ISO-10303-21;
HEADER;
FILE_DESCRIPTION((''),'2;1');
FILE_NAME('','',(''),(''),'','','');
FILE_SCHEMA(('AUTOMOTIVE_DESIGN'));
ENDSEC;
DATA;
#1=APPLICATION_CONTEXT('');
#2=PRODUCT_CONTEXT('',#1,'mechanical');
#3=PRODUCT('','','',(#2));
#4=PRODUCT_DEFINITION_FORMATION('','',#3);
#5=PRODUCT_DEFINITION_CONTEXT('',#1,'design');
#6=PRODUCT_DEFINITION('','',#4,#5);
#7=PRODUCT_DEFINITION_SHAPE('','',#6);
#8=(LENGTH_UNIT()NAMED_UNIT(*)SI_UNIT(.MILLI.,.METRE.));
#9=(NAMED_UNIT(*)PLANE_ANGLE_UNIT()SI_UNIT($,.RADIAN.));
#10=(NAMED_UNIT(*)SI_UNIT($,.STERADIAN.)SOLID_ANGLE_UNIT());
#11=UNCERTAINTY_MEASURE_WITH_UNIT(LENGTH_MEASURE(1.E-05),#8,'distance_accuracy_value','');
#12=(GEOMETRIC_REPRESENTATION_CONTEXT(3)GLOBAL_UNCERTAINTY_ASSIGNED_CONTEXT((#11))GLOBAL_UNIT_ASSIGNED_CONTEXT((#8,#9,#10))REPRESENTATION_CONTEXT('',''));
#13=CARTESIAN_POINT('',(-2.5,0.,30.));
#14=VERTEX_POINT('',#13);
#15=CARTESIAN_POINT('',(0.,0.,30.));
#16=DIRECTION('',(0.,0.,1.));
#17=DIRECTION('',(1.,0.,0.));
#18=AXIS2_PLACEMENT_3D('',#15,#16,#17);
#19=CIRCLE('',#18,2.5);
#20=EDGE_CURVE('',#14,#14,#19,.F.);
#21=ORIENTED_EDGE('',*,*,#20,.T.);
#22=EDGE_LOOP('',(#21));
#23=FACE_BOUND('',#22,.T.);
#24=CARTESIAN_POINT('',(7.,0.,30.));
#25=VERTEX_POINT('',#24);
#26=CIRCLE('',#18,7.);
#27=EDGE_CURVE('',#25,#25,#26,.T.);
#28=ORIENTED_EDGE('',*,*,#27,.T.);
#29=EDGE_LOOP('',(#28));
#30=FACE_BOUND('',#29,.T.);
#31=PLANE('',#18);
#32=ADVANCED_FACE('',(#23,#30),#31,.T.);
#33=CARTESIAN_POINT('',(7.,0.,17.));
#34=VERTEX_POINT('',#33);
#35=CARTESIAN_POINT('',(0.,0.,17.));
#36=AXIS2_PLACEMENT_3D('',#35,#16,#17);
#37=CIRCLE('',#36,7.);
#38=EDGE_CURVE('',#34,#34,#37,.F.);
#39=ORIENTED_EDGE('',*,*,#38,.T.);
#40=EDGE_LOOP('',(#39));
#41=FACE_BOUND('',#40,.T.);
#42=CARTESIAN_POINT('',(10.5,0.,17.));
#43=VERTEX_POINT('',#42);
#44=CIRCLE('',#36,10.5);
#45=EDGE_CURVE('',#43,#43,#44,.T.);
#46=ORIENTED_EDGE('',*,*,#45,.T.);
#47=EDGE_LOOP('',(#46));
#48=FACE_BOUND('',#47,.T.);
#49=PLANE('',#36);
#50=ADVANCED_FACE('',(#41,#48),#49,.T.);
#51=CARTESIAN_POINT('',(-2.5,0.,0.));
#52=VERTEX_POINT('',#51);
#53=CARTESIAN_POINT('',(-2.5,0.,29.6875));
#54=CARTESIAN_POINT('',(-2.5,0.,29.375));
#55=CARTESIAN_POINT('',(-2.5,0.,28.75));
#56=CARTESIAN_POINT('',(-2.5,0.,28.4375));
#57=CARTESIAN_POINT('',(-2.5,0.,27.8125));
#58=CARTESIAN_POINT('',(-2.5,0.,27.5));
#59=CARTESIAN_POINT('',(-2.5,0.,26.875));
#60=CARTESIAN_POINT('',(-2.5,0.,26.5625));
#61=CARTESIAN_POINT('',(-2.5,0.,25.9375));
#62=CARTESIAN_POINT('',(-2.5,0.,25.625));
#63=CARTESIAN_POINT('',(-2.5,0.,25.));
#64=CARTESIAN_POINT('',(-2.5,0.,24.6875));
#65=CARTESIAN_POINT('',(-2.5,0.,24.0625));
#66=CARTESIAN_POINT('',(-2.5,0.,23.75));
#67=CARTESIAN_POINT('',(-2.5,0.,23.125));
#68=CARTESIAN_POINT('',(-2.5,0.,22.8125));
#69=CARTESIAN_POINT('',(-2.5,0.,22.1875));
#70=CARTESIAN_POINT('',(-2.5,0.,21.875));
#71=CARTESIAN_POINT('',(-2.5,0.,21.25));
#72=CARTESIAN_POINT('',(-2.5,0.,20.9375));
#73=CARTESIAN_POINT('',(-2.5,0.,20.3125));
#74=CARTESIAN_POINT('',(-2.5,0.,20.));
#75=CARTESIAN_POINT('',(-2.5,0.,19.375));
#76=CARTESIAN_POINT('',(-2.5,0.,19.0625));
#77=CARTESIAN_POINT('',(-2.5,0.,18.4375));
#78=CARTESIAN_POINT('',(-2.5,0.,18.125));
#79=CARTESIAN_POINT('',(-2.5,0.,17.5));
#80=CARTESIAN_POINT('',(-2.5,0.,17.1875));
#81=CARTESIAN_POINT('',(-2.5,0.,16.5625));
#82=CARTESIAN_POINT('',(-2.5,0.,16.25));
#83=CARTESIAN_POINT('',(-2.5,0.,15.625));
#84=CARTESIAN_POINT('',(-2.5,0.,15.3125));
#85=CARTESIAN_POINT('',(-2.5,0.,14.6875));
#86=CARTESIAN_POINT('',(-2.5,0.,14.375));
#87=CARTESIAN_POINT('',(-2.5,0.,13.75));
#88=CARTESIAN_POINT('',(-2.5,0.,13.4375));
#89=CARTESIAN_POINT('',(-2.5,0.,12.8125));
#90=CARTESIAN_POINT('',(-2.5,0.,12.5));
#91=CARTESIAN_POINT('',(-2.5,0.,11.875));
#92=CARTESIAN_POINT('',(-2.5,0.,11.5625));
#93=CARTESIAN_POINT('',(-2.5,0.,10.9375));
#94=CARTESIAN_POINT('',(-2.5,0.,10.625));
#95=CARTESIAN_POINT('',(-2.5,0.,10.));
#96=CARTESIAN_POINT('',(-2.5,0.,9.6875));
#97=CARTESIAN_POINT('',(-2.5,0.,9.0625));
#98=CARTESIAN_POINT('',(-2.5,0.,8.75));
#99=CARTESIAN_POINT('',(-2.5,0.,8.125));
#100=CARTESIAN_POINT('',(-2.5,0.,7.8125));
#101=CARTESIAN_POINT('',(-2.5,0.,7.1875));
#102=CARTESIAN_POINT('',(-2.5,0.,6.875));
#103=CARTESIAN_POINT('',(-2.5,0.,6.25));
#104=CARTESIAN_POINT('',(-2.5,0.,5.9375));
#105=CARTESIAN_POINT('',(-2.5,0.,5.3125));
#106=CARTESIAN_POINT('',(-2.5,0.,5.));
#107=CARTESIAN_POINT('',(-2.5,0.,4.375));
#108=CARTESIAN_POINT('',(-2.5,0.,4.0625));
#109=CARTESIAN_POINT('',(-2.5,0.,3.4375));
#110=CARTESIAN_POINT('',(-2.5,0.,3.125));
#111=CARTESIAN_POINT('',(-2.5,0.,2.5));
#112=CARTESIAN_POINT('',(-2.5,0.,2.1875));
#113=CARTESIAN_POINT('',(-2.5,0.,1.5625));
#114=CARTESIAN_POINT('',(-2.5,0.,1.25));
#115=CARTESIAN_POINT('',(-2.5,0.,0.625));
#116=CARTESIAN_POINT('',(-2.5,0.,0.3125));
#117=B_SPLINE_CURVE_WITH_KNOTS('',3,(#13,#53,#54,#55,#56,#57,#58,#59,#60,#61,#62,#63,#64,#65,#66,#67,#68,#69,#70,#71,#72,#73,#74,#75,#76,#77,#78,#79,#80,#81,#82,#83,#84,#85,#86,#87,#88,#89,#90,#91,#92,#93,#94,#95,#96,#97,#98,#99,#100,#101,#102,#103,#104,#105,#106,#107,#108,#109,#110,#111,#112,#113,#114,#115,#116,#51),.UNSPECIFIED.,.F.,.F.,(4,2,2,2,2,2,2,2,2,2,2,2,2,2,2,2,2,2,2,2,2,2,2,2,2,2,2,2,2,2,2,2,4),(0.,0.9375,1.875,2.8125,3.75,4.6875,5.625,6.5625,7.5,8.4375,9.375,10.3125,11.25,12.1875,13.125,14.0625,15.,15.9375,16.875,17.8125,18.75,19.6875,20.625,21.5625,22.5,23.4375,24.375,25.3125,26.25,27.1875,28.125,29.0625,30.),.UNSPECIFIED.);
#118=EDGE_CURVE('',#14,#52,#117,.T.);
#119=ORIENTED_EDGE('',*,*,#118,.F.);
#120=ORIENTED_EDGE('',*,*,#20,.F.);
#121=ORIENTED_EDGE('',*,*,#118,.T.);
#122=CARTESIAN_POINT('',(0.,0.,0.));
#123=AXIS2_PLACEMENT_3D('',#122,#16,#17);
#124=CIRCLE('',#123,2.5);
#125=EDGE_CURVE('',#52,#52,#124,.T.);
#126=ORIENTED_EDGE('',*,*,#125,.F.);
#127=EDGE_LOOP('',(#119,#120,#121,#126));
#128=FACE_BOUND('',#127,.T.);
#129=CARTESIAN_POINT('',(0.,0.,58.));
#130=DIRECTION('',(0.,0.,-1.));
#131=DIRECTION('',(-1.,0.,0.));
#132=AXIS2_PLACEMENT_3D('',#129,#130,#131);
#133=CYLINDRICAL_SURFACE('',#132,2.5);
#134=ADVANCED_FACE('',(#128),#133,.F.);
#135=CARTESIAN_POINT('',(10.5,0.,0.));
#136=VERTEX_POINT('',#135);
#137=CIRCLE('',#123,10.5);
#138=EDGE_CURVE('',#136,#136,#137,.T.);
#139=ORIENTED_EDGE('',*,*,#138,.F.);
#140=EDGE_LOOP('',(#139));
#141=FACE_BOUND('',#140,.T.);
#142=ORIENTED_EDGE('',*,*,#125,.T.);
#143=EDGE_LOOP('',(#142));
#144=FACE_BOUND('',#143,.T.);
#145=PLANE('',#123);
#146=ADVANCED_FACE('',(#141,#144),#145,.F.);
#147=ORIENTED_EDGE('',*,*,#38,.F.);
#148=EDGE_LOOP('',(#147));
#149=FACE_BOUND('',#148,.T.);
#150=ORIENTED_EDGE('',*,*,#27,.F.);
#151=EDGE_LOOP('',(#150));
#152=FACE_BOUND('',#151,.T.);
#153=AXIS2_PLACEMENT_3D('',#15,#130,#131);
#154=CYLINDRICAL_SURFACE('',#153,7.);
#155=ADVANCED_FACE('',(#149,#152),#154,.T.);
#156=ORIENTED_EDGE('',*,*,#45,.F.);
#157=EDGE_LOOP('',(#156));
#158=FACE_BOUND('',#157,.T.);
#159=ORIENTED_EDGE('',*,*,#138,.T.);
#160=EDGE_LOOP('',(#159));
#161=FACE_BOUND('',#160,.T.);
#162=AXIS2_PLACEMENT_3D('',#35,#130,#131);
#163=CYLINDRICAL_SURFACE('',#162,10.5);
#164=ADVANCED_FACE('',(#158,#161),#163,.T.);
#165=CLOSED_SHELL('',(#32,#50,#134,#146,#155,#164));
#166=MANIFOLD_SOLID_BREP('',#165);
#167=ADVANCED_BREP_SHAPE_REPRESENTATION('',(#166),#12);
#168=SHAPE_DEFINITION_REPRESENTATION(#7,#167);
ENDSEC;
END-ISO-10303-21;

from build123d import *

# Parameters (mm, degrees)
CROQUIS1_R              = 10.5
CROQUIS1_R_2            = 7
SALIENTE_EXTRUIR1_DEPTH = 17
CROQUIS2_R              = 7
SALIENTE_EXTRUIR2_DEPTH = 30
CROQUIS3_R              = 2.5
CORTAR_EXTRUIR1_DEPTH   = 58


with BuildPart() as part:
    # Croquis1 → Saliente-Extruir1 (new body)
    # profile 1 of 2: a face of its own
    with BuildSketch(Plane.XY):
        Circle(CROQUIS1_R)
        Circle(CROQUIS1_R_2, mode=Mode.SUBTRACT)
    # profile 2 of 2: a face of its own
    with BuildSketch(Plane.XY):
        Circle(CROQUIS1_R_2)
    extrude(amount=SALIENTE_EXTRUIR1_DEPTH)

    # Croquis2 → Saliente-Extruir2 (add)
    with BuildSketch(Plane.XY):
        Circle(CROQUIS2_R)
    extrude(amount=SALIENTE_EXTRUIR2_DEPTH)

    # Croquis3 → Cortar-Extruir1 (cut)
    with BuildSketch(Plane.XY):
        with Locations(Location((0, 0, 0), (0, 0, 180))):
            Circle(CROQUIS3_R)
    extrude(amount=CORTAR_EXTRUIR1_DEPTH, mode=Mode.SUBTRACT)


solid = part.part
